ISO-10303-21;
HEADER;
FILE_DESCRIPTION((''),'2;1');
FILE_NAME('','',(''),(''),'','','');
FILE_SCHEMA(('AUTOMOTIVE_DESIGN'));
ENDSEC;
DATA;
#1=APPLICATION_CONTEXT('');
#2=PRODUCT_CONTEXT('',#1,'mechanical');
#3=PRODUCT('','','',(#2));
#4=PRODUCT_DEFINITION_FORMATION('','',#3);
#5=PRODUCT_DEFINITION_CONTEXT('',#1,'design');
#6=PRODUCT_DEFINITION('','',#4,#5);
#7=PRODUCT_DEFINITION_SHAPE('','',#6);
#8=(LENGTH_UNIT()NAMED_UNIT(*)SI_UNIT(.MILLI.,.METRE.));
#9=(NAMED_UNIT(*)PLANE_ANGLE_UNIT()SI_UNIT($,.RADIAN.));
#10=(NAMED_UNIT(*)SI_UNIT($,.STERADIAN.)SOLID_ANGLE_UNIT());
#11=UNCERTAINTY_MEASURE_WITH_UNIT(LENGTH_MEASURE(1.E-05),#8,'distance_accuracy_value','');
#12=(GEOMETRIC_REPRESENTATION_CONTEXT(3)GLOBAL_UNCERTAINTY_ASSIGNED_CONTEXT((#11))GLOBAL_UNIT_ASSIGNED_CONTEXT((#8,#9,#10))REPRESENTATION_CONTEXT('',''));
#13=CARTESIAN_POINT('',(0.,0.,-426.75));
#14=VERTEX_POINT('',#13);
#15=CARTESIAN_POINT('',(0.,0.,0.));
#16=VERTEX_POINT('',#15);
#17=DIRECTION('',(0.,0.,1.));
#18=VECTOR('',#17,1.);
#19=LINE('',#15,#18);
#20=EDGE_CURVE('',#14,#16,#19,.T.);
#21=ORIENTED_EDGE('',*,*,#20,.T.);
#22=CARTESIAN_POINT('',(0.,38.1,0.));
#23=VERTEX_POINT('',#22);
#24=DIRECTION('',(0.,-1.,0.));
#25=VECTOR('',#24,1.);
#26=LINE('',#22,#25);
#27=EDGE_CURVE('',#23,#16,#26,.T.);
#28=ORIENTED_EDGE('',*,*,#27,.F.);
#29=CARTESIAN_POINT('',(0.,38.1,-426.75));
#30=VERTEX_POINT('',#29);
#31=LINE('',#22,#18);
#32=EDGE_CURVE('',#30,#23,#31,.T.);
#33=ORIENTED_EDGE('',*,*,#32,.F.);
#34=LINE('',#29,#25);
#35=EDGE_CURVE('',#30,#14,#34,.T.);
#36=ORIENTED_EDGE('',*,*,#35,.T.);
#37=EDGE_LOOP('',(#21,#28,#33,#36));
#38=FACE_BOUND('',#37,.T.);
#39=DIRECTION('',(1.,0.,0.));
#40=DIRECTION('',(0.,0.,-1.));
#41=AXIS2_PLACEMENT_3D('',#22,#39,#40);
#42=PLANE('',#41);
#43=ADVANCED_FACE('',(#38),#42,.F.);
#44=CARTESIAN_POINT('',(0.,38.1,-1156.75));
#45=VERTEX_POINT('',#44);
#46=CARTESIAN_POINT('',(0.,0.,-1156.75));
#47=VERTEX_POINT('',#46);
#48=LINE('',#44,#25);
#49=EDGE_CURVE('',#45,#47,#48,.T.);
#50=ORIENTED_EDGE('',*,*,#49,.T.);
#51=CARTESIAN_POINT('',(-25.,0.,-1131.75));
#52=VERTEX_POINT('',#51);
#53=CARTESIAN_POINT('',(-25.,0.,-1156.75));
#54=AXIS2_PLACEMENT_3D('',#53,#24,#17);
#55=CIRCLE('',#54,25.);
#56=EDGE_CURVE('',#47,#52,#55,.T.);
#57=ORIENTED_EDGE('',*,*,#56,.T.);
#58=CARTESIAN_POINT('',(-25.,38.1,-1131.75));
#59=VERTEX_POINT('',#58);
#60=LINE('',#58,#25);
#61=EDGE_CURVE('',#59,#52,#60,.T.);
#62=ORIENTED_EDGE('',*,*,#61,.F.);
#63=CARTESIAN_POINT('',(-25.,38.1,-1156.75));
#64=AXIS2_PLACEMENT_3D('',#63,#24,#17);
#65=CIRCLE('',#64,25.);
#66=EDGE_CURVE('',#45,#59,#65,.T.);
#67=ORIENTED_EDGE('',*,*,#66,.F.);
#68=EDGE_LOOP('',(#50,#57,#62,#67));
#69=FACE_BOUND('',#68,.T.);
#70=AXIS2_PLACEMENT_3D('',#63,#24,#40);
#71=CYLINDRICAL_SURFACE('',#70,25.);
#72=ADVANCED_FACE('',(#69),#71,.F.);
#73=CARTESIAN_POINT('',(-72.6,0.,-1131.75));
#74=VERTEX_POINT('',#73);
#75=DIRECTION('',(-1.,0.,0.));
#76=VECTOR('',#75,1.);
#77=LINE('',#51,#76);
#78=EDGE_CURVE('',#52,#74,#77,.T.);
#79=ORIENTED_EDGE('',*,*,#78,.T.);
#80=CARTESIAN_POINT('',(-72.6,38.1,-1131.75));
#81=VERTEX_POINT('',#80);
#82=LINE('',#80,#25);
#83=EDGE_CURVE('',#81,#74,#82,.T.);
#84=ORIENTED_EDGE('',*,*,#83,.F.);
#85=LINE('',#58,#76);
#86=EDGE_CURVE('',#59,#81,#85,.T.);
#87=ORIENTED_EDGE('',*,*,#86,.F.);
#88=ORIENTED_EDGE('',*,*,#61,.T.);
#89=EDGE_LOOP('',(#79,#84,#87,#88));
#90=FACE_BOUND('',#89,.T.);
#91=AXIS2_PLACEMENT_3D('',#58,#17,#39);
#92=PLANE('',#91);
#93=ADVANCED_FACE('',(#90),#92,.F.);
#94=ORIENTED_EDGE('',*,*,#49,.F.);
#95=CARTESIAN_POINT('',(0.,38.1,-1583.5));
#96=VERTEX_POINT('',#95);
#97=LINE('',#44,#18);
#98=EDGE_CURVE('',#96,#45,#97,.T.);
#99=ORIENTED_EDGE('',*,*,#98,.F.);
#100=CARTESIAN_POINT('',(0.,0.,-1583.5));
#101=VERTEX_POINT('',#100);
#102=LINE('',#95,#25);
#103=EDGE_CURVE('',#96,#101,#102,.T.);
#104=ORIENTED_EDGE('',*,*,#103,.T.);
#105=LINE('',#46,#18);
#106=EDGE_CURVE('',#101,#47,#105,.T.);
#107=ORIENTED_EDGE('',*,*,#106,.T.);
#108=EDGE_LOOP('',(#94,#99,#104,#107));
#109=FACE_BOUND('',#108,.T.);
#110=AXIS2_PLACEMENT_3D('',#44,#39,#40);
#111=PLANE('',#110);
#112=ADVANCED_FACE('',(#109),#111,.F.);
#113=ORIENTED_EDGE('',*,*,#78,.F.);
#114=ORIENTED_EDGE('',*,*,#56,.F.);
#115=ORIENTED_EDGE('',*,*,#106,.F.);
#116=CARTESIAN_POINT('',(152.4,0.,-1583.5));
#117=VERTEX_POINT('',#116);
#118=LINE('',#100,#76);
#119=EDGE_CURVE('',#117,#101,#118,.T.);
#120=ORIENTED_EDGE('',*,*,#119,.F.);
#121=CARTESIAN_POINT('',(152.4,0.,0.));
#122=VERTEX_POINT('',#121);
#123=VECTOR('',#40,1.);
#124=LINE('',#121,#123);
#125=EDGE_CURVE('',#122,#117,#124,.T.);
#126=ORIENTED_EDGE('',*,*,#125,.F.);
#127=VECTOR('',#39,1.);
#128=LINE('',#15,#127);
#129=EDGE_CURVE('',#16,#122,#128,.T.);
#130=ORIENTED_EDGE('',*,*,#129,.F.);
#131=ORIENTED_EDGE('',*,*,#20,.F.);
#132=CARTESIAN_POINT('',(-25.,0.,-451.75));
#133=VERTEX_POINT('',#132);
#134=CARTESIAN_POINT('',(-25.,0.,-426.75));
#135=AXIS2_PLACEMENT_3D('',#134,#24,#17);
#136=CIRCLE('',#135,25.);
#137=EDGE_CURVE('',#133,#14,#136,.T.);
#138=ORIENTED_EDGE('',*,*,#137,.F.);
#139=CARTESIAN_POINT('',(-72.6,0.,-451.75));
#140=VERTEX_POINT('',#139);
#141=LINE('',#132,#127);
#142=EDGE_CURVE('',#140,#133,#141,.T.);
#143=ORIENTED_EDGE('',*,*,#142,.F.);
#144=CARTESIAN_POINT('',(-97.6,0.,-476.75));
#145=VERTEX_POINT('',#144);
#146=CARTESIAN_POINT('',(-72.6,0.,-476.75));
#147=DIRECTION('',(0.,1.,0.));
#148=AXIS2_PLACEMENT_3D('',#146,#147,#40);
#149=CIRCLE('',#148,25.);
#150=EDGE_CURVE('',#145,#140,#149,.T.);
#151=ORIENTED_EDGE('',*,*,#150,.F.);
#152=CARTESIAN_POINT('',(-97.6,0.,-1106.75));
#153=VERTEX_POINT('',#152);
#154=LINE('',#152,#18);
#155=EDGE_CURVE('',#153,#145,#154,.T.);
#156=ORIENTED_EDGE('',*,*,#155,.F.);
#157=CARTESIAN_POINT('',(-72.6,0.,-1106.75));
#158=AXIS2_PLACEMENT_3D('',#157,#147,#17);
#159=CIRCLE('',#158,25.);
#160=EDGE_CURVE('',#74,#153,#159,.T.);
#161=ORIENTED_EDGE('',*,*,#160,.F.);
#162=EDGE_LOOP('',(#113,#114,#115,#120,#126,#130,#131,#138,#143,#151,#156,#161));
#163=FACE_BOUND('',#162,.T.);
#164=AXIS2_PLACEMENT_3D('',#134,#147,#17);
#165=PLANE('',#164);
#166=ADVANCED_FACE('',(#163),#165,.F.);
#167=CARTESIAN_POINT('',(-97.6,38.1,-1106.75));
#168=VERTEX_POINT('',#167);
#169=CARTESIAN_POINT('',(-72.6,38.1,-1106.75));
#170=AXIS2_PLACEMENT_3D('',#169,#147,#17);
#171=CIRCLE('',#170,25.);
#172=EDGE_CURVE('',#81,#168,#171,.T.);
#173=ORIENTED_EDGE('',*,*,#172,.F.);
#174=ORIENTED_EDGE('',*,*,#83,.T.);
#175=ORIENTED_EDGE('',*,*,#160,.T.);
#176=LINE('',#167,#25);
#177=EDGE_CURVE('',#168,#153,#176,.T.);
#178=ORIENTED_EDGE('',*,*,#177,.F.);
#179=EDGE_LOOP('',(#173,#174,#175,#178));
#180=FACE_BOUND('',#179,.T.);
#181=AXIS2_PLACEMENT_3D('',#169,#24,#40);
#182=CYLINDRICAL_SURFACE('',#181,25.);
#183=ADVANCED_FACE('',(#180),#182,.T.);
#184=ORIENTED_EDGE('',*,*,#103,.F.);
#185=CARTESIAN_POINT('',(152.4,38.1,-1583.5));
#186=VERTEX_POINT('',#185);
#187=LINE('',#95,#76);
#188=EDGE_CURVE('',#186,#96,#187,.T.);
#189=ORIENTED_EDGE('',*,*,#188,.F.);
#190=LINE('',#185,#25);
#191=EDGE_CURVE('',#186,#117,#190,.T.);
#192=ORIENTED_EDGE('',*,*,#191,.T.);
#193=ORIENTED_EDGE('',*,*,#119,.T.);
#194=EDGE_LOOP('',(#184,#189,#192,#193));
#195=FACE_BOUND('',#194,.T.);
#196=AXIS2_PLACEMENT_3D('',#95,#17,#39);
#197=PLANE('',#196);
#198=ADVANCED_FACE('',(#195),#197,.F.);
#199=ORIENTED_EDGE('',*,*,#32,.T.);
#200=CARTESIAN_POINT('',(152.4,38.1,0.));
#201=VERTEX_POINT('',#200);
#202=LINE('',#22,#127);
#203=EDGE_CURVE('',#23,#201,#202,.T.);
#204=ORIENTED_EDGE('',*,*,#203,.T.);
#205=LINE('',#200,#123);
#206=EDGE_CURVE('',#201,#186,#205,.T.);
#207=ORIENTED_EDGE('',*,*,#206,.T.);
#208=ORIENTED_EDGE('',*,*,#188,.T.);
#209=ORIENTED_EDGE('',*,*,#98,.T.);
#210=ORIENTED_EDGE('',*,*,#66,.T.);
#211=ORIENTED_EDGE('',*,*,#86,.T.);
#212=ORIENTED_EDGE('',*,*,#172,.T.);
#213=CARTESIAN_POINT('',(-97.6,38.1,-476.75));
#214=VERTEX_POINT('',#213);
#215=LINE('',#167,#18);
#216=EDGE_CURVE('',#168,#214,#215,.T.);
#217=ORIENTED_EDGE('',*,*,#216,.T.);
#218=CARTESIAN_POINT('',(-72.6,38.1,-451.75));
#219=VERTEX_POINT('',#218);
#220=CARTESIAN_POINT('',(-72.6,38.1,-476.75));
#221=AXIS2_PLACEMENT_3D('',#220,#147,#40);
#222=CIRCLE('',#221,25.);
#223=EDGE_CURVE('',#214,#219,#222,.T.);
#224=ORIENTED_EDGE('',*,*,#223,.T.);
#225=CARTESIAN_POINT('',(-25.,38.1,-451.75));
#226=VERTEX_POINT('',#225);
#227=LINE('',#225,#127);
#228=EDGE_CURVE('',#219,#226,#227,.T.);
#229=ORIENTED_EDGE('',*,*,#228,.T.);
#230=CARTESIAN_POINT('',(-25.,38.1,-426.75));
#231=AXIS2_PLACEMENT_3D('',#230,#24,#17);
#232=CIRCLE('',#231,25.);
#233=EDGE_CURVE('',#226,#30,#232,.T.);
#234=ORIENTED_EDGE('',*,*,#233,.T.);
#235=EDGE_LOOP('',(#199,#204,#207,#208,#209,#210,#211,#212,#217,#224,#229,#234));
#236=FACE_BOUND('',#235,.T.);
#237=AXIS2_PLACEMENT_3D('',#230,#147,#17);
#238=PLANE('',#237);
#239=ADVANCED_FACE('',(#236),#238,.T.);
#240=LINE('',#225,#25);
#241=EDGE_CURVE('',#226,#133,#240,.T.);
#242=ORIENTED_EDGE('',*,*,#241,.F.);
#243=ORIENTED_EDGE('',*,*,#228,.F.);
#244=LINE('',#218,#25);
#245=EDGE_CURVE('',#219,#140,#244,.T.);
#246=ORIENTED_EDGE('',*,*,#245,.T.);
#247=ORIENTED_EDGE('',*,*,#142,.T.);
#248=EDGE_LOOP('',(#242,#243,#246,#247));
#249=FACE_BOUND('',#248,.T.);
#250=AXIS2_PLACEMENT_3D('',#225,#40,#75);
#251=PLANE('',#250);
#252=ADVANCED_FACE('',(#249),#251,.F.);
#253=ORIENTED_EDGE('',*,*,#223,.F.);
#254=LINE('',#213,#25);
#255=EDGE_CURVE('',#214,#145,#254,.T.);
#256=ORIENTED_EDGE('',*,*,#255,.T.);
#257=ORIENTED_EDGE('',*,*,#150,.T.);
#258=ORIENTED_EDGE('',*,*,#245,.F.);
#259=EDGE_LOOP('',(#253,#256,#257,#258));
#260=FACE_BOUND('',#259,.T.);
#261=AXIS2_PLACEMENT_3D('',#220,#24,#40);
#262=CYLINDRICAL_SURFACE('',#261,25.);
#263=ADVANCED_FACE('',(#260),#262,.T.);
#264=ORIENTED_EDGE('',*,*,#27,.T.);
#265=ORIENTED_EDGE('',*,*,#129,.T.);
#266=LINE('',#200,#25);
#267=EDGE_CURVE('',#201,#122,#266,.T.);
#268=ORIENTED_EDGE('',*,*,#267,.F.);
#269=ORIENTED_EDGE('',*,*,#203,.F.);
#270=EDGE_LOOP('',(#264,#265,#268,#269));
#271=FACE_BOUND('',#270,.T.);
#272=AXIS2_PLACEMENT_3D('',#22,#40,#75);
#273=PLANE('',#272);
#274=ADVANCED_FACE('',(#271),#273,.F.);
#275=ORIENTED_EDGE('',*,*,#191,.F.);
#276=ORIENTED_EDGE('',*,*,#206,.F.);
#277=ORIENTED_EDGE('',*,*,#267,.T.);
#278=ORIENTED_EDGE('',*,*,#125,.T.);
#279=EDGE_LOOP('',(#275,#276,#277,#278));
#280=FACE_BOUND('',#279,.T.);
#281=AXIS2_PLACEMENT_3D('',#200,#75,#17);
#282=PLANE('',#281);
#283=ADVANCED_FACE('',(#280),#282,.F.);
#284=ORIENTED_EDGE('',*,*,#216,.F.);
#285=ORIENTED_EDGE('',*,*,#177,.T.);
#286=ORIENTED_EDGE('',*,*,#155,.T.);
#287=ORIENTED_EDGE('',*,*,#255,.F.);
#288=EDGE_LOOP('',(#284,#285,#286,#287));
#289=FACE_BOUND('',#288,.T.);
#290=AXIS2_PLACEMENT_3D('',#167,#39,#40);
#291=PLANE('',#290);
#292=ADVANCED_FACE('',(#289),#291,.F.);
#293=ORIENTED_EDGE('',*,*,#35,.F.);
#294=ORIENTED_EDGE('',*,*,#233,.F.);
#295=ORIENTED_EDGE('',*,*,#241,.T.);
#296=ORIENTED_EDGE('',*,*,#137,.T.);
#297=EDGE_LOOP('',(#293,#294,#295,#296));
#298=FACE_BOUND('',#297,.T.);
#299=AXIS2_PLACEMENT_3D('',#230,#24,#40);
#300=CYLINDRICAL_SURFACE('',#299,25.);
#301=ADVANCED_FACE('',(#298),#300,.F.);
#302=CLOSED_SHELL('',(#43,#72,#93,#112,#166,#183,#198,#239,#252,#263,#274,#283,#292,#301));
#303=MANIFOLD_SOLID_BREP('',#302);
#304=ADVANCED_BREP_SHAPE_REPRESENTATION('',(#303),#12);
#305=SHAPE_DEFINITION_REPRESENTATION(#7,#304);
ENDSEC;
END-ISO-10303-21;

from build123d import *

# Parameters (mm, degrees)
BOSS_EXTRUDE1_DEPTH = 38.1


with BuildPart() as part:
    # Sketch1 → Boss-Extrude1 (new body)
    with BuildSketch(Plane(origin=(0, 0, 0), x_dir=(1, 0, 0), z_dir=(0, 1, 0))):
        with BuildLine():
            Line((0, 1156.75), (0, 1583.5))
            Line((0, 1583.5), (152.4, 1583.5))
            Line((152.4, 1583.5), (152.4, 0))
            Line((152.4, 0), (0, 0))
            Line((0, 0), (0, 426.75))
            ThreePointArc((0, 426.75), (-7.32233047, 444.42766953), (-25, 451.75))
            Line((-25, 451.75), (-72.6, 451.75))
            ThreePointArc((-72.6, 451.75), (-90.27766953, 459.07233047), (-97.6, 476.75))
            Line((-97.6, 476.75), (-97.6, 1106.75))
            ThreePointArc((-97.6, 1106.75), (-90.27766953, 1124.42766953), (-72.6, 1131.75))
            Line((-72.6, 1131.75), (-25, 1131.75))
            ThreePointArc((-25, 1131.75), (-7.32233047, 1139.07233047), (0, 1156.75))
        make_face()
    extrude(amount=BOSS_EXTRUDE1_DEPTH)


solid = part.part
